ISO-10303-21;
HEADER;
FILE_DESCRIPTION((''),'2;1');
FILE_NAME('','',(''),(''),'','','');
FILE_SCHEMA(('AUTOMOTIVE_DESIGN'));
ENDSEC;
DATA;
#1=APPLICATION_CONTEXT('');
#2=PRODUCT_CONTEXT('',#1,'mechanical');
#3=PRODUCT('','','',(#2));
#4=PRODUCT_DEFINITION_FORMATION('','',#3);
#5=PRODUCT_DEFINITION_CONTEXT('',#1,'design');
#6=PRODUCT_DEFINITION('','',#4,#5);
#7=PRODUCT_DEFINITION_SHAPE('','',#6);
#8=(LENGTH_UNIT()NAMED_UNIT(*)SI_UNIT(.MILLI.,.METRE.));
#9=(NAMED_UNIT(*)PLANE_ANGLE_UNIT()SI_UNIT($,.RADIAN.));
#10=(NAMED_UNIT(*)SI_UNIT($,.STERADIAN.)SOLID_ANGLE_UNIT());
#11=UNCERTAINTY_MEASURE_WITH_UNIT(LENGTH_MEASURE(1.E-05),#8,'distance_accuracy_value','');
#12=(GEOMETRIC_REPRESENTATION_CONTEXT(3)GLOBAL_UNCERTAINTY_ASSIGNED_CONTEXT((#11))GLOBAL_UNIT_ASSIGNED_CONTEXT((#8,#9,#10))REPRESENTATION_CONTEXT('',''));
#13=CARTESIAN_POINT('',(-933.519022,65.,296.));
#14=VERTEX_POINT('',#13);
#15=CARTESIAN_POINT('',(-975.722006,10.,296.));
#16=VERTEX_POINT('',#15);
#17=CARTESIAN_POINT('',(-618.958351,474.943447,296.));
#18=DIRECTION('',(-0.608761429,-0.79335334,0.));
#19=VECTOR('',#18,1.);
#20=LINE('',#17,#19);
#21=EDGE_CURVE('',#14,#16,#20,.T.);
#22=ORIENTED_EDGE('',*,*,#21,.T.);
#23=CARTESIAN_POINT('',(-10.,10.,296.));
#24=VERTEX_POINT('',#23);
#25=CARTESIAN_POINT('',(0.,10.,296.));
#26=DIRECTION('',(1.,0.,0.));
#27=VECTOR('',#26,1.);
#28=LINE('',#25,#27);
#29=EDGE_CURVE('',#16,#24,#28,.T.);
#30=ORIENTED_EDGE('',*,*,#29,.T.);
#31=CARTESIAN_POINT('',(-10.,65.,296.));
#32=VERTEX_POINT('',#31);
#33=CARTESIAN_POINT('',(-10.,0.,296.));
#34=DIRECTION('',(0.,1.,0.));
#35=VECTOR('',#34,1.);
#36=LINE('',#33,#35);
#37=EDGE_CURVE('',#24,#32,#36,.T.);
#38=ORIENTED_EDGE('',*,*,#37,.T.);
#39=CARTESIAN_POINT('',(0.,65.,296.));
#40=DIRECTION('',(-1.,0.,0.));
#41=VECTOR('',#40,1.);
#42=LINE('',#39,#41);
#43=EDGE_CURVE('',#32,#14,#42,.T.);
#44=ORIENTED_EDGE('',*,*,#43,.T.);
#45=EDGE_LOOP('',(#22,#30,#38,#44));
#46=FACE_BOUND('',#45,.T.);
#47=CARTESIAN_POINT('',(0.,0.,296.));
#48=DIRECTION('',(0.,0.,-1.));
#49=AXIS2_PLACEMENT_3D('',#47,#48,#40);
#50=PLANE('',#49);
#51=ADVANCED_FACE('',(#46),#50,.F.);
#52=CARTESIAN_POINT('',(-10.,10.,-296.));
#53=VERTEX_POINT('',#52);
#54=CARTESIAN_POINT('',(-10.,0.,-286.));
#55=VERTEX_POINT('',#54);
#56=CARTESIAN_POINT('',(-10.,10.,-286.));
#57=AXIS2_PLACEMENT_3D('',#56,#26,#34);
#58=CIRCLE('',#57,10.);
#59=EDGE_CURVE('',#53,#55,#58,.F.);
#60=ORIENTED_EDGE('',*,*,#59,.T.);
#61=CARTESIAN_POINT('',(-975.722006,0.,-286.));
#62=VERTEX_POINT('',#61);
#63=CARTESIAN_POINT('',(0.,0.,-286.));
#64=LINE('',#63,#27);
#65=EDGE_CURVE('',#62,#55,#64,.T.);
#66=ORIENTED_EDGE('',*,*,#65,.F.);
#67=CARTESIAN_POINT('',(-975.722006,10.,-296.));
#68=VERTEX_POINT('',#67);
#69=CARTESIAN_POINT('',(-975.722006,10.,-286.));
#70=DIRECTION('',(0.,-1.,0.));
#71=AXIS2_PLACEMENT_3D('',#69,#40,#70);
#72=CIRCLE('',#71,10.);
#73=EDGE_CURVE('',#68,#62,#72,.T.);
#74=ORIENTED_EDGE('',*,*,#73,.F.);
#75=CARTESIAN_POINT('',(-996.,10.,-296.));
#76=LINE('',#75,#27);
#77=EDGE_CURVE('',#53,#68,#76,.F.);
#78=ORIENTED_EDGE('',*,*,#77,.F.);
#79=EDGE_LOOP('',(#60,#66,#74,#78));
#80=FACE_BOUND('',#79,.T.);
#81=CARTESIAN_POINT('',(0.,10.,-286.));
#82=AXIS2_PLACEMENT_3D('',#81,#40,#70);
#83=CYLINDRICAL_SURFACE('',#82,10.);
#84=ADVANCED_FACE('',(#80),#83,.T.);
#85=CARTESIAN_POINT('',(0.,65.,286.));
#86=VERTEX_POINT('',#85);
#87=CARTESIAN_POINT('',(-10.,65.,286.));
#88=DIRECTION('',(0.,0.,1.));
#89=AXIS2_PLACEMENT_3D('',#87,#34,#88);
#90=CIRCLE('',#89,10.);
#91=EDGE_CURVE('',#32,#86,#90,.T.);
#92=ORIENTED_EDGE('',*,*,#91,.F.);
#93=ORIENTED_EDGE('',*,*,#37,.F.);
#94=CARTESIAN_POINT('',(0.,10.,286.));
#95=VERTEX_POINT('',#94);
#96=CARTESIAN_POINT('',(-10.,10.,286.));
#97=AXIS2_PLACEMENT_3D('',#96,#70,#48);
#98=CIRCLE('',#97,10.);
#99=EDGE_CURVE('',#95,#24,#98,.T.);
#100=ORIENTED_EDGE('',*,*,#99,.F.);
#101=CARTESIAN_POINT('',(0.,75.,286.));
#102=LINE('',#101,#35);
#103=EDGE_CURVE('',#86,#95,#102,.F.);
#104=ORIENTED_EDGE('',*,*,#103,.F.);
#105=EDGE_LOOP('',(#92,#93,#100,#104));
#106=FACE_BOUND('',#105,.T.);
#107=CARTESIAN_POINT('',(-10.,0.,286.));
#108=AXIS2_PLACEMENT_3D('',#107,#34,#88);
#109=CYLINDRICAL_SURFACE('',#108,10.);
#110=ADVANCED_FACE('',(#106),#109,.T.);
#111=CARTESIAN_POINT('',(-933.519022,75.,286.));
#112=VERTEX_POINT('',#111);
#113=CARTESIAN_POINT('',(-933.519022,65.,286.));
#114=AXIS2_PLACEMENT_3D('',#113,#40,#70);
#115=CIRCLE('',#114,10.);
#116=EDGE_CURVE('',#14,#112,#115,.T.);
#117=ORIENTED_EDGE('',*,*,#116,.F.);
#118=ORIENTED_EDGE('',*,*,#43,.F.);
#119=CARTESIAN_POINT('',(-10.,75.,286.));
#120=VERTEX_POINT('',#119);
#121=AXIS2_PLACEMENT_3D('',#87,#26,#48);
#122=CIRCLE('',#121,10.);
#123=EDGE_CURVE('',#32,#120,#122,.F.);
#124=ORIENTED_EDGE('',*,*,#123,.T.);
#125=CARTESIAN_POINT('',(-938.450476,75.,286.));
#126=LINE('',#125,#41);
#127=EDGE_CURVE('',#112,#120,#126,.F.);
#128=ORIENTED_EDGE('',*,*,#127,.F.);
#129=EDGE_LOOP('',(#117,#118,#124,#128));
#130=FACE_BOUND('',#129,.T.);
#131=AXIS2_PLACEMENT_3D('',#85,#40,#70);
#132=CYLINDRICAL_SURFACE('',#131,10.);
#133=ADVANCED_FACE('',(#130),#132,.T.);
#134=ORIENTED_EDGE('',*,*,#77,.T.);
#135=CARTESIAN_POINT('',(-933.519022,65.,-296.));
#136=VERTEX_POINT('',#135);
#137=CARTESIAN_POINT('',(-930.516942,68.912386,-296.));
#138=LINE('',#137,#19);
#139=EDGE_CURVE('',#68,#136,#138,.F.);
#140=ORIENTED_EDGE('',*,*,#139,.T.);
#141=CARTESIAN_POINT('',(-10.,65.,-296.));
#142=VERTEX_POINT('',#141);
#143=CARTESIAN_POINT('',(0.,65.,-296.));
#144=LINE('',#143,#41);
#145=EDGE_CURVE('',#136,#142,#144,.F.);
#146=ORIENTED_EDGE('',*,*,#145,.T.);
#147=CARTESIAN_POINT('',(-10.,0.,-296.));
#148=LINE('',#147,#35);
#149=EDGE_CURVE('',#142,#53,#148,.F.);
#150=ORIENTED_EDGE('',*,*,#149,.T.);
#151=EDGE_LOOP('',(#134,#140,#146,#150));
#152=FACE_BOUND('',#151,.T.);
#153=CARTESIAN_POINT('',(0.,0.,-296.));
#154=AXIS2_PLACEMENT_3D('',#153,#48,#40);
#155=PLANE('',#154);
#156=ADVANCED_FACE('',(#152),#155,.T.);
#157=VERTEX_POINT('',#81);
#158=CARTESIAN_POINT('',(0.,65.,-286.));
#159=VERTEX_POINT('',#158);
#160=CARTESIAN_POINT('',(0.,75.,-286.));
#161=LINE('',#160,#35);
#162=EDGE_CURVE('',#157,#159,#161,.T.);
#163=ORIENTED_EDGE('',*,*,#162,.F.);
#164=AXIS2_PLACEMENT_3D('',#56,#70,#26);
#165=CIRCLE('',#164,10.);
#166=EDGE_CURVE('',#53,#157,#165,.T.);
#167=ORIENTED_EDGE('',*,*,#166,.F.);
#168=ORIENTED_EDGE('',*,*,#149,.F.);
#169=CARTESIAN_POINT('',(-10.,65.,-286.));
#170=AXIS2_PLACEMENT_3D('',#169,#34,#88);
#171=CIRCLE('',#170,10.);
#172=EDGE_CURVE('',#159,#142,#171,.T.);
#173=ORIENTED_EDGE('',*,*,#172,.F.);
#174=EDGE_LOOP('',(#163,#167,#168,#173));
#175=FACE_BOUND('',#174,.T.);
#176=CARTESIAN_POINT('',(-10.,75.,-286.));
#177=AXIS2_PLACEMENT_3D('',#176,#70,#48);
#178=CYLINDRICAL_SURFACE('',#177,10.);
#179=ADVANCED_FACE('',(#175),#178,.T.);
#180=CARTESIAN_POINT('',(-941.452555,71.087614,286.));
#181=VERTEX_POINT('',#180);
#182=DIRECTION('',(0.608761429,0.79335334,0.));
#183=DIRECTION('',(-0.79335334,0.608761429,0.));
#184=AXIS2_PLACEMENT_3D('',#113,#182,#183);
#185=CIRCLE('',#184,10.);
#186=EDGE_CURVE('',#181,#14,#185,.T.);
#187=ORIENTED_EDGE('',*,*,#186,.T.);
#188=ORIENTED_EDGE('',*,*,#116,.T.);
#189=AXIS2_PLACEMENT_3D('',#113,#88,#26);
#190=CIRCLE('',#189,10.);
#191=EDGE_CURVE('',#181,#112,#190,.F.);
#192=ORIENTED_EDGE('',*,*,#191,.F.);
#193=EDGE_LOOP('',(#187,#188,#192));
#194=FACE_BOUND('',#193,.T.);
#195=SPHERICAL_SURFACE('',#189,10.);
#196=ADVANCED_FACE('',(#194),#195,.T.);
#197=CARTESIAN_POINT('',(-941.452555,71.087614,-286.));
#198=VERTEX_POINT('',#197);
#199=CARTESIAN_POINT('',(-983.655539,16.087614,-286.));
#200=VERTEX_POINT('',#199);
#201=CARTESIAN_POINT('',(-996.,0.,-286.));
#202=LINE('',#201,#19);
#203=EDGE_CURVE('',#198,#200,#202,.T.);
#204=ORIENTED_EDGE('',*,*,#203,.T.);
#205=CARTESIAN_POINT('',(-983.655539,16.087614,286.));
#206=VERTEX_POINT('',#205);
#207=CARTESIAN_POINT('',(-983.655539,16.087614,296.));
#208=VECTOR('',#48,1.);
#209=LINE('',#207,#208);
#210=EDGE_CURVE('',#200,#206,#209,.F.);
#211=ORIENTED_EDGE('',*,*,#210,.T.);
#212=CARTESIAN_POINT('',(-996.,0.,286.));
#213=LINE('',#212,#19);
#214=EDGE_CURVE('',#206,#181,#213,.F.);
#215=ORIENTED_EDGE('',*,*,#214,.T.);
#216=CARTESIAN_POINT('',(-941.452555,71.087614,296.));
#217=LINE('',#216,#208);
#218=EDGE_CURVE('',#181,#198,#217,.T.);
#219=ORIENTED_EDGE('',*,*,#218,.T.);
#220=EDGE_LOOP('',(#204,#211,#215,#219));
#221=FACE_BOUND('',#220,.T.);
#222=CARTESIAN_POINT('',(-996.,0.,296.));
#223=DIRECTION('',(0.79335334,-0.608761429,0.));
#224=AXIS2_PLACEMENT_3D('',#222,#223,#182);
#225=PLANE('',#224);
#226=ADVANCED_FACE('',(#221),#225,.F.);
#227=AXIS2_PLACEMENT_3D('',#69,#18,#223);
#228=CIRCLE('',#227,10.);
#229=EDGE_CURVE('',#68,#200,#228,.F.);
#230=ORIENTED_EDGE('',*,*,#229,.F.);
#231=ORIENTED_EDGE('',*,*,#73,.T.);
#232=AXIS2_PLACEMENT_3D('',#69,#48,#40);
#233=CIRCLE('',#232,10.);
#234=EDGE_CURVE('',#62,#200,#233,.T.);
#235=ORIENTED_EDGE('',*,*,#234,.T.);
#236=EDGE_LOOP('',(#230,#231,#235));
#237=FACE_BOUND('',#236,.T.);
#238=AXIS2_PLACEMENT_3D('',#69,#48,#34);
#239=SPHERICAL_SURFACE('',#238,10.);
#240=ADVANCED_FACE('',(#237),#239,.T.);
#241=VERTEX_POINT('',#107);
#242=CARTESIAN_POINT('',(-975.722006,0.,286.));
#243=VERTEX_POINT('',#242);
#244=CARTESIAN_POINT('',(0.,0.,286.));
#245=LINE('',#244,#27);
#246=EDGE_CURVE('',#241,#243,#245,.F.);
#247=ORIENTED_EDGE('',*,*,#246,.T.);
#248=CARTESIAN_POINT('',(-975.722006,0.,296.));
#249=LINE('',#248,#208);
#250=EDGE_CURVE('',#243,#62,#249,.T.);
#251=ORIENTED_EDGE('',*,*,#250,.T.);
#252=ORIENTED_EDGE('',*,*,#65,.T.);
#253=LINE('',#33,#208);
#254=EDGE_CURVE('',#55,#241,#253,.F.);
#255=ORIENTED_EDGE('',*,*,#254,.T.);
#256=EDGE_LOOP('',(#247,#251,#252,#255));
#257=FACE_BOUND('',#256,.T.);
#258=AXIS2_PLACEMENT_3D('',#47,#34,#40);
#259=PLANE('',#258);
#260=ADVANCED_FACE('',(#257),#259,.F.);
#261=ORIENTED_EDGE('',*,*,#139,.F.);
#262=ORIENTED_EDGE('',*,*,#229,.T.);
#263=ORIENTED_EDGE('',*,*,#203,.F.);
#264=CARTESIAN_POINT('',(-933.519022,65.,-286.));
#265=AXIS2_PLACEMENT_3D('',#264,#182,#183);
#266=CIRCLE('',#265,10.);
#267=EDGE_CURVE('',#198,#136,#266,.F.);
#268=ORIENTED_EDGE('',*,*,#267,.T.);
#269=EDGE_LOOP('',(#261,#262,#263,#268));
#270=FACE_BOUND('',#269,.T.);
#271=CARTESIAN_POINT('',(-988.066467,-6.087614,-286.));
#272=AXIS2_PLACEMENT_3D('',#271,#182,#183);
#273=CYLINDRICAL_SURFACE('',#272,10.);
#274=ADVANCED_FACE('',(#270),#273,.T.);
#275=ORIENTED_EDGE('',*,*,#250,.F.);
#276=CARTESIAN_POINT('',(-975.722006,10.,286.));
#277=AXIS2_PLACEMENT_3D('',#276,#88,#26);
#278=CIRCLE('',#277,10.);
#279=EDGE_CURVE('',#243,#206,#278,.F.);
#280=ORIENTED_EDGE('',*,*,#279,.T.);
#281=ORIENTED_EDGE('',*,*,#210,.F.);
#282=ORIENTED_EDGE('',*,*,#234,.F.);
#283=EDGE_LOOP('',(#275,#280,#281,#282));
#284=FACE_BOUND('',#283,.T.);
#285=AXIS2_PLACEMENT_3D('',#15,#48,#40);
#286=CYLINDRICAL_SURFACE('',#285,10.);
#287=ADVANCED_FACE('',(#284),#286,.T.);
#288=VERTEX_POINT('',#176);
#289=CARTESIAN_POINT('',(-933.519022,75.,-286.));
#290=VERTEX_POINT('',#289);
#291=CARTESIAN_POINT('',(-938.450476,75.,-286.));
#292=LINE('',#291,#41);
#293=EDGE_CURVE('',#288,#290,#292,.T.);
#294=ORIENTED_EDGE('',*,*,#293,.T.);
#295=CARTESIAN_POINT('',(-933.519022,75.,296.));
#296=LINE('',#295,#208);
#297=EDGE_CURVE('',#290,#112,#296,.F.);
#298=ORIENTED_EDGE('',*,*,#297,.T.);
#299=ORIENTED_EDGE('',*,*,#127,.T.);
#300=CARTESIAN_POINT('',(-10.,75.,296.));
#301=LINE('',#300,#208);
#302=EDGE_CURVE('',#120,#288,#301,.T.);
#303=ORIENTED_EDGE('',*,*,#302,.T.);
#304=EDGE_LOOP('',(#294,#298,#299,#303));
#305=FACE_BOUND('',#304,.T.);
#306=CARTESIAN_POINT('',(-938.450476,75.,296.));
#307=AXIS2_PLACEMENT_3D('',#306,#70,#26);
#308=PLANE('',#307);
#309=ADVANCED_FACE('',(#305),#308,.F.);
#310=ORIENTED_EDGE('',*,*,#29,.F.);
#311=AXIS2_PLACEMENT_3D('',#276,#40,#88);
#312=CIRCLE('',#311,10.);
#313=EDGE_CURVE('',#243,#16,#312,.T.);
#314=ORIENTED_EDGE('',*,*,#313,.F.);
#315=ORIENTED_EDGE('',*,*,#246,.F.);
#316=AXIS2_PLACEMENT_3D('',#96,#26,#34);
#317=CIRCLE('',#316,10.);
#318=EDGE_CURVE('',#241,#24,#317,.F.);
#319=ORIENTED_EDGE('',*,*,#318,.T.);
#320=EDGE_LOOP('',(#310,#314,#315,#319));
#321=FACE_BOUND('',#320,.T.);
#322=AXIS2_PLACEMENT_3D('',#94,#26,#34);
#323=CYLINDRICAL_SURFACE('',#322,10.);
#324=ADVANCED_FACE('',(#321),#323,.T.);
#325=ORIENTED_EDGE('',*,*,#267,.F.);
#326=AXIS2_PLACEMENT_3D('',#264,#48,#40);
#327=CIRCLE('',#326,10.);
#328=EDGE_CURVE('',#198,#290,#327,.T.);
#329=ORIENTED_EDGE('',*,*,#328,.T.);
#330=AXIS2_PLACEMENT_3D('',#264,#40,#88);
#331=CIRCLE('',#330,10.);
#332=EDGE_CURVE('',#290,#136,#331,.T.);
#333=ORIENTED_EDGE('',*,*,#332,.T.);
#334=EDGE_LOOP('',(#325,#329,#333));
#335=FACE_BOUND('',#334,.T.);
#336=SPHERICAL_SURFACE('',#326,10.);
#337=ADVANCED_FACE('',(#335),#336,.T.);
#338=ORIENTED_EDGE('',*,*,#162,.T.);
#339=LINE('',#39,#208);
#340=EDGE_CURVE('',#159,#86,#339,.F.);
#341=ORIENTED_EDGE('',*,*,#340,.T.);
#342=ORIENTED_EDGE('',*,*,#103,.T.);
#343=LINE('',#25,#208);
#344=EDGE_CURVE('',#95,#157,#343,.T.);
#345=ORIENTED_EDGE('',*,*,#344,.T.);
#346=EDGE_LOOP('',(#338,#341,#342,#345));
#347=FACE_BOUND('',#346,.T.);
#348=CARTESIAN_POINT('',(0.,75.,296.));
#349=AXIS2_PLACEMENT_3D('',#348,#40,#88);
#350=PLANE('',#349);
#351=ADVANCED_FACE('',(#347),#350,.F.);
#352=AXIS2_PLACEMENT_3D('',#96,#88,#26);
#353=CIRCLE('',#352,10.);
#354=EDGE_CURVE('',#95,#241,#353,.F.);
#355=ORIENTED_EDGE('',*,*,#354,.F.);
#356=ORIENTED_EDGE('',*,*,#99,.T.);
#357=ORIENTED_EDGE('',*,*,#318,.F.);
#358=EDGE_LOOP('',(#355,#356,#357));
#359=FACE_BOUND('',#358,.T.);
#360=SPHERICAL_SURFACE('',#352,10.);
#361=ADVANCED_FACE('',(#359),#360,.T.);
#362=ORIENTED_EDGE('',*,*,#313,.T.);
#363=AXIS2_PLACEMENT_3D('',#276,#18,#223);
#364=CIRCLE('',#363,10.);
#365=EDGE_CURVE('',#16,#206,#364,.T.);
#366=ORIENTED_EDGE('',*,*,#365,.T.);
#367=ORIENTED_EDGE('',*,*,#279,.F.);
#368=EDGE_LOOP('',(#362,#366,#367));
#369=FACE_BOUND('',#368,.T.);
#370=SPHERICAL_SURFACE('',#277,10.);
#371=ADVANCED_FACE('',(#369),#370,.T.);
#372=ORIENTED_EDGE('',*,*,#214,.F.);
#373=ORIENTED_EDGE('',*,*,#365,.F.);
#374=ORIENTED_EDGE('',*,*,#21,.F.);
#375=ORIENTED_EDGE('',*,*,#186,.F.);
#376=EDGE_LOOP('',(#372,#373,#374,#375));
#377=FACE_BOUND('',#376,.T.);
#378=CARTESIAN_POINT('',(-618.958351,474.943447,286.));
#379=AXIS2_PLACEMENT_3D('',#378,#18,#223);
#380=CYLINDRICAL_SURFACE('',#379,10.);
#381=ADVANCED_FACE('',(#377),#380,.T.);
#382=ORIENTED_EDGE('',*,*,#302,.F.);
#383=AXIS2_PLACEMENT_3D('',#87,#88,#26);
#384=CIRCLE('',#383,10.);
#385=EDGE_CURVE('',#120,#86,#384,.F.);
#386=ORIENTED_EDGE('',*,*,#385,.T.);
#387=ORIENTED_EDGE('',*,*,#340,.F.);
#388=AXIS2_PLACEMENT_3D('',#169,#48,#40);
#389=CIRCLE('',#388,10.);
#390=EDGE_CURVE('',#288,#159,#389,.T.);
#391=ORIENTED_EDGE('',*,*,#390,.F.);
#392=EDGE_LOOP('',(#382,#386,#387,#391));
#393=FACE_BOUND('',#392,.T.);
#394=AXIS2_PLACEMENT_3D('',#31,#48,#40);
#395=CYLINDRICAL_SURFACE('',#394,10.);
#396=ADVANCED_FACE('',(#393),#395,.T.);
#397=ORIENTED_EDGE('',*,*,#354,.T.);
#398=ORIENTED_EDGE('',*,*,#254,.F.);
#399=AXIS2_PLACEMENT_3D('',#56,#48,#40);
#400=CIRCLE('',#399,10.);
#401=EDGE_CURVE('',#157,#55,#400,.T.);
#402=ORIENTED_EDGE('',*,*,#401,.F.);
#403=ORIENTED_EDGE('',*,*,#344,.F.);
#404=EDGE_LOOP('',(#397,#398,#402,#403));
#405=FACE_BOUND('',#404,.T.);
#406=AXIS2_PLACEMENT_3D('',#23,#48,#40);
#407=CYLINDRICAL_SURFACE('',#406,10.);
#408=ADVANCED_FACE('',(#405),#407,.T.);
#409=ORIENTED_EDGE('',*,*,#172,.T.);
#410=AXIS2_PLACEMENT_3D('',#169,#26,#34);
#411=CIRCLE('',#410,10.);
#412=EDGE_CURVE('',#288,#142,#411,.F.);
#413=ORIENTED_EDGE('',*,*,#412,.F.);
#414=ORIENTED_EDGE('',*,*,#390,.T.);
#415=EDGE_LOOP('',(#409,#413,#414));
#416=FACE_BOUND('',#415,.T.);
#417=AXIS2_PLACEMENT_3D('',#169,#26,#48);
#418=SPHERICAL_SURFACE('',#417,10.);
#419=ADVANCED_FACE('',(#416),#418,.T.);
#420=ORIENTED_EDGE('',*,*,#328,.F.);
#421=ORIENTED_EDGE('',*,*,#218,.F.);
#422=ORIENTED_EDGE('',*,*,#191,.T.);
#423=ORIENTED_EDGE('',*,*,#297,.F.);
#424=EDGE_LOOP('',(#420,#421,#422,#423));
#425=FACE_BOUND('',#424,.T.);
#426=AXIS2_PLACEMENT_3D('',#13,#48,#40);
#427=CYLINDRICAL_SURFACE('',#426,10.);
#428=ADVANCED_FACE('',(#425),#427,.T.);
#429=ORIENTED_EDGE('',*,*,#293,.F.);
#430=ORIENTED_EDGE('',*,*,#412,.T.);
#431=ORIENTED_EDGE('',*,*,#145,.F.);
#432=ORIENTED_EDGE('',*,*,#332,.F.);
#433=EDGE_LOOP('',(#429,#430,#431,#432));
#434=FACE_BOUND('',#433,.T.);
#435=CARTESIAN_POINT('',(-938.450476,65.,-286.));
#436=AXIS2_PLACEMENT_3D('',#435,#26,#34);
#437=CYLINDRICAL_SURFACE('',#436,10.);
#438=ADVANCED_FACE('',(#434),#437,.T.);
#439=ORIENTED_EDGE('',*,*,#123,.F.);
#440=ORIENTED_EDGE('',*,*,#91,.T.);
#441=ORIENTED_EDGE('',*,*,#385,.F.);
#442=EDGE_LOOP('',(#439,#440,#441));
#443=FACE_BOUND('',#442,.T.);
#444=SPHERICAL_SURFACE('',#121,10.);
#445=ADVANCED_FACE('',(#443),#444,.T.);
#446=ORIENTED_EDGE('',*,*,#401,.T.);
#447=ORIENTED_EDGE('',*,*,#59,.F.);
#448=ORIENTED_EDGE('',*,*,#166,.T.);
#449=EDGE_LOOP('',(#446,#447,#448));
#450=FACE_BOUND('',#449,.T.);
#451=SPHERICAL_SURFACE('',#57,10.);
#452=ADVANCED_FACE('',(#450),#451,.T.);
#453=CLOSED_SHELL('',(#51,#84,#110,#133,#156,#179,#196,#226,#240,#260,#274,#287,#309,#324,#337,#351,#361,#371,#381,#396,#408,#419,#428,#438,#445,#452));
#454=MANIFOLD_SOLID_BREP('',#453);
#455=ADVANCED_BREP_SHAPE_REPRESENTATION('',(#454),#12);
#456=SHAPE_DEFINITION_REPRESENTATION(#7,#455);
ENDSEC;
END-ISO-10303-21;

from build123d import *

# Parameters (mm, degrees)
BOSS_EXTRUDE1_DEPTH = 296
FILLET1_R           = 10


with BuildPart() as part:
    # Sketch1 → Boss-Extrude1 (new, symmetric)
    with BuildSketch(Plane.XY):
        Polygon((0, 0), (-996, 0), (-938.450475902, 75), (0, 75), align=None)
    extrude(amount=BOSS_EXTRUDE1_DEPTH, both=True)

    # Fillet1
    fillet1_edges = [part.edges().sort_by_distance(p)[0] for p in [
        (-967.225237951, 37.5, 296),
        (-498, 0, 296),
        (0, 37.5, 296),
        (-498, 0, -296),
        (-967.225237951, 37.5, -296),
        (-469.225237951, 75, -296),
        (0, 37.5, -296),
        (0, 0, 0),
        (-996, 0, 0),
        (-938.450475902, 75, 0),
        (0, 75, 0),
        (-469.225237951, 75, 296),
    ]]
    fillet(fillet1_edges, radius=FILLET1_R)


solid = part.part
